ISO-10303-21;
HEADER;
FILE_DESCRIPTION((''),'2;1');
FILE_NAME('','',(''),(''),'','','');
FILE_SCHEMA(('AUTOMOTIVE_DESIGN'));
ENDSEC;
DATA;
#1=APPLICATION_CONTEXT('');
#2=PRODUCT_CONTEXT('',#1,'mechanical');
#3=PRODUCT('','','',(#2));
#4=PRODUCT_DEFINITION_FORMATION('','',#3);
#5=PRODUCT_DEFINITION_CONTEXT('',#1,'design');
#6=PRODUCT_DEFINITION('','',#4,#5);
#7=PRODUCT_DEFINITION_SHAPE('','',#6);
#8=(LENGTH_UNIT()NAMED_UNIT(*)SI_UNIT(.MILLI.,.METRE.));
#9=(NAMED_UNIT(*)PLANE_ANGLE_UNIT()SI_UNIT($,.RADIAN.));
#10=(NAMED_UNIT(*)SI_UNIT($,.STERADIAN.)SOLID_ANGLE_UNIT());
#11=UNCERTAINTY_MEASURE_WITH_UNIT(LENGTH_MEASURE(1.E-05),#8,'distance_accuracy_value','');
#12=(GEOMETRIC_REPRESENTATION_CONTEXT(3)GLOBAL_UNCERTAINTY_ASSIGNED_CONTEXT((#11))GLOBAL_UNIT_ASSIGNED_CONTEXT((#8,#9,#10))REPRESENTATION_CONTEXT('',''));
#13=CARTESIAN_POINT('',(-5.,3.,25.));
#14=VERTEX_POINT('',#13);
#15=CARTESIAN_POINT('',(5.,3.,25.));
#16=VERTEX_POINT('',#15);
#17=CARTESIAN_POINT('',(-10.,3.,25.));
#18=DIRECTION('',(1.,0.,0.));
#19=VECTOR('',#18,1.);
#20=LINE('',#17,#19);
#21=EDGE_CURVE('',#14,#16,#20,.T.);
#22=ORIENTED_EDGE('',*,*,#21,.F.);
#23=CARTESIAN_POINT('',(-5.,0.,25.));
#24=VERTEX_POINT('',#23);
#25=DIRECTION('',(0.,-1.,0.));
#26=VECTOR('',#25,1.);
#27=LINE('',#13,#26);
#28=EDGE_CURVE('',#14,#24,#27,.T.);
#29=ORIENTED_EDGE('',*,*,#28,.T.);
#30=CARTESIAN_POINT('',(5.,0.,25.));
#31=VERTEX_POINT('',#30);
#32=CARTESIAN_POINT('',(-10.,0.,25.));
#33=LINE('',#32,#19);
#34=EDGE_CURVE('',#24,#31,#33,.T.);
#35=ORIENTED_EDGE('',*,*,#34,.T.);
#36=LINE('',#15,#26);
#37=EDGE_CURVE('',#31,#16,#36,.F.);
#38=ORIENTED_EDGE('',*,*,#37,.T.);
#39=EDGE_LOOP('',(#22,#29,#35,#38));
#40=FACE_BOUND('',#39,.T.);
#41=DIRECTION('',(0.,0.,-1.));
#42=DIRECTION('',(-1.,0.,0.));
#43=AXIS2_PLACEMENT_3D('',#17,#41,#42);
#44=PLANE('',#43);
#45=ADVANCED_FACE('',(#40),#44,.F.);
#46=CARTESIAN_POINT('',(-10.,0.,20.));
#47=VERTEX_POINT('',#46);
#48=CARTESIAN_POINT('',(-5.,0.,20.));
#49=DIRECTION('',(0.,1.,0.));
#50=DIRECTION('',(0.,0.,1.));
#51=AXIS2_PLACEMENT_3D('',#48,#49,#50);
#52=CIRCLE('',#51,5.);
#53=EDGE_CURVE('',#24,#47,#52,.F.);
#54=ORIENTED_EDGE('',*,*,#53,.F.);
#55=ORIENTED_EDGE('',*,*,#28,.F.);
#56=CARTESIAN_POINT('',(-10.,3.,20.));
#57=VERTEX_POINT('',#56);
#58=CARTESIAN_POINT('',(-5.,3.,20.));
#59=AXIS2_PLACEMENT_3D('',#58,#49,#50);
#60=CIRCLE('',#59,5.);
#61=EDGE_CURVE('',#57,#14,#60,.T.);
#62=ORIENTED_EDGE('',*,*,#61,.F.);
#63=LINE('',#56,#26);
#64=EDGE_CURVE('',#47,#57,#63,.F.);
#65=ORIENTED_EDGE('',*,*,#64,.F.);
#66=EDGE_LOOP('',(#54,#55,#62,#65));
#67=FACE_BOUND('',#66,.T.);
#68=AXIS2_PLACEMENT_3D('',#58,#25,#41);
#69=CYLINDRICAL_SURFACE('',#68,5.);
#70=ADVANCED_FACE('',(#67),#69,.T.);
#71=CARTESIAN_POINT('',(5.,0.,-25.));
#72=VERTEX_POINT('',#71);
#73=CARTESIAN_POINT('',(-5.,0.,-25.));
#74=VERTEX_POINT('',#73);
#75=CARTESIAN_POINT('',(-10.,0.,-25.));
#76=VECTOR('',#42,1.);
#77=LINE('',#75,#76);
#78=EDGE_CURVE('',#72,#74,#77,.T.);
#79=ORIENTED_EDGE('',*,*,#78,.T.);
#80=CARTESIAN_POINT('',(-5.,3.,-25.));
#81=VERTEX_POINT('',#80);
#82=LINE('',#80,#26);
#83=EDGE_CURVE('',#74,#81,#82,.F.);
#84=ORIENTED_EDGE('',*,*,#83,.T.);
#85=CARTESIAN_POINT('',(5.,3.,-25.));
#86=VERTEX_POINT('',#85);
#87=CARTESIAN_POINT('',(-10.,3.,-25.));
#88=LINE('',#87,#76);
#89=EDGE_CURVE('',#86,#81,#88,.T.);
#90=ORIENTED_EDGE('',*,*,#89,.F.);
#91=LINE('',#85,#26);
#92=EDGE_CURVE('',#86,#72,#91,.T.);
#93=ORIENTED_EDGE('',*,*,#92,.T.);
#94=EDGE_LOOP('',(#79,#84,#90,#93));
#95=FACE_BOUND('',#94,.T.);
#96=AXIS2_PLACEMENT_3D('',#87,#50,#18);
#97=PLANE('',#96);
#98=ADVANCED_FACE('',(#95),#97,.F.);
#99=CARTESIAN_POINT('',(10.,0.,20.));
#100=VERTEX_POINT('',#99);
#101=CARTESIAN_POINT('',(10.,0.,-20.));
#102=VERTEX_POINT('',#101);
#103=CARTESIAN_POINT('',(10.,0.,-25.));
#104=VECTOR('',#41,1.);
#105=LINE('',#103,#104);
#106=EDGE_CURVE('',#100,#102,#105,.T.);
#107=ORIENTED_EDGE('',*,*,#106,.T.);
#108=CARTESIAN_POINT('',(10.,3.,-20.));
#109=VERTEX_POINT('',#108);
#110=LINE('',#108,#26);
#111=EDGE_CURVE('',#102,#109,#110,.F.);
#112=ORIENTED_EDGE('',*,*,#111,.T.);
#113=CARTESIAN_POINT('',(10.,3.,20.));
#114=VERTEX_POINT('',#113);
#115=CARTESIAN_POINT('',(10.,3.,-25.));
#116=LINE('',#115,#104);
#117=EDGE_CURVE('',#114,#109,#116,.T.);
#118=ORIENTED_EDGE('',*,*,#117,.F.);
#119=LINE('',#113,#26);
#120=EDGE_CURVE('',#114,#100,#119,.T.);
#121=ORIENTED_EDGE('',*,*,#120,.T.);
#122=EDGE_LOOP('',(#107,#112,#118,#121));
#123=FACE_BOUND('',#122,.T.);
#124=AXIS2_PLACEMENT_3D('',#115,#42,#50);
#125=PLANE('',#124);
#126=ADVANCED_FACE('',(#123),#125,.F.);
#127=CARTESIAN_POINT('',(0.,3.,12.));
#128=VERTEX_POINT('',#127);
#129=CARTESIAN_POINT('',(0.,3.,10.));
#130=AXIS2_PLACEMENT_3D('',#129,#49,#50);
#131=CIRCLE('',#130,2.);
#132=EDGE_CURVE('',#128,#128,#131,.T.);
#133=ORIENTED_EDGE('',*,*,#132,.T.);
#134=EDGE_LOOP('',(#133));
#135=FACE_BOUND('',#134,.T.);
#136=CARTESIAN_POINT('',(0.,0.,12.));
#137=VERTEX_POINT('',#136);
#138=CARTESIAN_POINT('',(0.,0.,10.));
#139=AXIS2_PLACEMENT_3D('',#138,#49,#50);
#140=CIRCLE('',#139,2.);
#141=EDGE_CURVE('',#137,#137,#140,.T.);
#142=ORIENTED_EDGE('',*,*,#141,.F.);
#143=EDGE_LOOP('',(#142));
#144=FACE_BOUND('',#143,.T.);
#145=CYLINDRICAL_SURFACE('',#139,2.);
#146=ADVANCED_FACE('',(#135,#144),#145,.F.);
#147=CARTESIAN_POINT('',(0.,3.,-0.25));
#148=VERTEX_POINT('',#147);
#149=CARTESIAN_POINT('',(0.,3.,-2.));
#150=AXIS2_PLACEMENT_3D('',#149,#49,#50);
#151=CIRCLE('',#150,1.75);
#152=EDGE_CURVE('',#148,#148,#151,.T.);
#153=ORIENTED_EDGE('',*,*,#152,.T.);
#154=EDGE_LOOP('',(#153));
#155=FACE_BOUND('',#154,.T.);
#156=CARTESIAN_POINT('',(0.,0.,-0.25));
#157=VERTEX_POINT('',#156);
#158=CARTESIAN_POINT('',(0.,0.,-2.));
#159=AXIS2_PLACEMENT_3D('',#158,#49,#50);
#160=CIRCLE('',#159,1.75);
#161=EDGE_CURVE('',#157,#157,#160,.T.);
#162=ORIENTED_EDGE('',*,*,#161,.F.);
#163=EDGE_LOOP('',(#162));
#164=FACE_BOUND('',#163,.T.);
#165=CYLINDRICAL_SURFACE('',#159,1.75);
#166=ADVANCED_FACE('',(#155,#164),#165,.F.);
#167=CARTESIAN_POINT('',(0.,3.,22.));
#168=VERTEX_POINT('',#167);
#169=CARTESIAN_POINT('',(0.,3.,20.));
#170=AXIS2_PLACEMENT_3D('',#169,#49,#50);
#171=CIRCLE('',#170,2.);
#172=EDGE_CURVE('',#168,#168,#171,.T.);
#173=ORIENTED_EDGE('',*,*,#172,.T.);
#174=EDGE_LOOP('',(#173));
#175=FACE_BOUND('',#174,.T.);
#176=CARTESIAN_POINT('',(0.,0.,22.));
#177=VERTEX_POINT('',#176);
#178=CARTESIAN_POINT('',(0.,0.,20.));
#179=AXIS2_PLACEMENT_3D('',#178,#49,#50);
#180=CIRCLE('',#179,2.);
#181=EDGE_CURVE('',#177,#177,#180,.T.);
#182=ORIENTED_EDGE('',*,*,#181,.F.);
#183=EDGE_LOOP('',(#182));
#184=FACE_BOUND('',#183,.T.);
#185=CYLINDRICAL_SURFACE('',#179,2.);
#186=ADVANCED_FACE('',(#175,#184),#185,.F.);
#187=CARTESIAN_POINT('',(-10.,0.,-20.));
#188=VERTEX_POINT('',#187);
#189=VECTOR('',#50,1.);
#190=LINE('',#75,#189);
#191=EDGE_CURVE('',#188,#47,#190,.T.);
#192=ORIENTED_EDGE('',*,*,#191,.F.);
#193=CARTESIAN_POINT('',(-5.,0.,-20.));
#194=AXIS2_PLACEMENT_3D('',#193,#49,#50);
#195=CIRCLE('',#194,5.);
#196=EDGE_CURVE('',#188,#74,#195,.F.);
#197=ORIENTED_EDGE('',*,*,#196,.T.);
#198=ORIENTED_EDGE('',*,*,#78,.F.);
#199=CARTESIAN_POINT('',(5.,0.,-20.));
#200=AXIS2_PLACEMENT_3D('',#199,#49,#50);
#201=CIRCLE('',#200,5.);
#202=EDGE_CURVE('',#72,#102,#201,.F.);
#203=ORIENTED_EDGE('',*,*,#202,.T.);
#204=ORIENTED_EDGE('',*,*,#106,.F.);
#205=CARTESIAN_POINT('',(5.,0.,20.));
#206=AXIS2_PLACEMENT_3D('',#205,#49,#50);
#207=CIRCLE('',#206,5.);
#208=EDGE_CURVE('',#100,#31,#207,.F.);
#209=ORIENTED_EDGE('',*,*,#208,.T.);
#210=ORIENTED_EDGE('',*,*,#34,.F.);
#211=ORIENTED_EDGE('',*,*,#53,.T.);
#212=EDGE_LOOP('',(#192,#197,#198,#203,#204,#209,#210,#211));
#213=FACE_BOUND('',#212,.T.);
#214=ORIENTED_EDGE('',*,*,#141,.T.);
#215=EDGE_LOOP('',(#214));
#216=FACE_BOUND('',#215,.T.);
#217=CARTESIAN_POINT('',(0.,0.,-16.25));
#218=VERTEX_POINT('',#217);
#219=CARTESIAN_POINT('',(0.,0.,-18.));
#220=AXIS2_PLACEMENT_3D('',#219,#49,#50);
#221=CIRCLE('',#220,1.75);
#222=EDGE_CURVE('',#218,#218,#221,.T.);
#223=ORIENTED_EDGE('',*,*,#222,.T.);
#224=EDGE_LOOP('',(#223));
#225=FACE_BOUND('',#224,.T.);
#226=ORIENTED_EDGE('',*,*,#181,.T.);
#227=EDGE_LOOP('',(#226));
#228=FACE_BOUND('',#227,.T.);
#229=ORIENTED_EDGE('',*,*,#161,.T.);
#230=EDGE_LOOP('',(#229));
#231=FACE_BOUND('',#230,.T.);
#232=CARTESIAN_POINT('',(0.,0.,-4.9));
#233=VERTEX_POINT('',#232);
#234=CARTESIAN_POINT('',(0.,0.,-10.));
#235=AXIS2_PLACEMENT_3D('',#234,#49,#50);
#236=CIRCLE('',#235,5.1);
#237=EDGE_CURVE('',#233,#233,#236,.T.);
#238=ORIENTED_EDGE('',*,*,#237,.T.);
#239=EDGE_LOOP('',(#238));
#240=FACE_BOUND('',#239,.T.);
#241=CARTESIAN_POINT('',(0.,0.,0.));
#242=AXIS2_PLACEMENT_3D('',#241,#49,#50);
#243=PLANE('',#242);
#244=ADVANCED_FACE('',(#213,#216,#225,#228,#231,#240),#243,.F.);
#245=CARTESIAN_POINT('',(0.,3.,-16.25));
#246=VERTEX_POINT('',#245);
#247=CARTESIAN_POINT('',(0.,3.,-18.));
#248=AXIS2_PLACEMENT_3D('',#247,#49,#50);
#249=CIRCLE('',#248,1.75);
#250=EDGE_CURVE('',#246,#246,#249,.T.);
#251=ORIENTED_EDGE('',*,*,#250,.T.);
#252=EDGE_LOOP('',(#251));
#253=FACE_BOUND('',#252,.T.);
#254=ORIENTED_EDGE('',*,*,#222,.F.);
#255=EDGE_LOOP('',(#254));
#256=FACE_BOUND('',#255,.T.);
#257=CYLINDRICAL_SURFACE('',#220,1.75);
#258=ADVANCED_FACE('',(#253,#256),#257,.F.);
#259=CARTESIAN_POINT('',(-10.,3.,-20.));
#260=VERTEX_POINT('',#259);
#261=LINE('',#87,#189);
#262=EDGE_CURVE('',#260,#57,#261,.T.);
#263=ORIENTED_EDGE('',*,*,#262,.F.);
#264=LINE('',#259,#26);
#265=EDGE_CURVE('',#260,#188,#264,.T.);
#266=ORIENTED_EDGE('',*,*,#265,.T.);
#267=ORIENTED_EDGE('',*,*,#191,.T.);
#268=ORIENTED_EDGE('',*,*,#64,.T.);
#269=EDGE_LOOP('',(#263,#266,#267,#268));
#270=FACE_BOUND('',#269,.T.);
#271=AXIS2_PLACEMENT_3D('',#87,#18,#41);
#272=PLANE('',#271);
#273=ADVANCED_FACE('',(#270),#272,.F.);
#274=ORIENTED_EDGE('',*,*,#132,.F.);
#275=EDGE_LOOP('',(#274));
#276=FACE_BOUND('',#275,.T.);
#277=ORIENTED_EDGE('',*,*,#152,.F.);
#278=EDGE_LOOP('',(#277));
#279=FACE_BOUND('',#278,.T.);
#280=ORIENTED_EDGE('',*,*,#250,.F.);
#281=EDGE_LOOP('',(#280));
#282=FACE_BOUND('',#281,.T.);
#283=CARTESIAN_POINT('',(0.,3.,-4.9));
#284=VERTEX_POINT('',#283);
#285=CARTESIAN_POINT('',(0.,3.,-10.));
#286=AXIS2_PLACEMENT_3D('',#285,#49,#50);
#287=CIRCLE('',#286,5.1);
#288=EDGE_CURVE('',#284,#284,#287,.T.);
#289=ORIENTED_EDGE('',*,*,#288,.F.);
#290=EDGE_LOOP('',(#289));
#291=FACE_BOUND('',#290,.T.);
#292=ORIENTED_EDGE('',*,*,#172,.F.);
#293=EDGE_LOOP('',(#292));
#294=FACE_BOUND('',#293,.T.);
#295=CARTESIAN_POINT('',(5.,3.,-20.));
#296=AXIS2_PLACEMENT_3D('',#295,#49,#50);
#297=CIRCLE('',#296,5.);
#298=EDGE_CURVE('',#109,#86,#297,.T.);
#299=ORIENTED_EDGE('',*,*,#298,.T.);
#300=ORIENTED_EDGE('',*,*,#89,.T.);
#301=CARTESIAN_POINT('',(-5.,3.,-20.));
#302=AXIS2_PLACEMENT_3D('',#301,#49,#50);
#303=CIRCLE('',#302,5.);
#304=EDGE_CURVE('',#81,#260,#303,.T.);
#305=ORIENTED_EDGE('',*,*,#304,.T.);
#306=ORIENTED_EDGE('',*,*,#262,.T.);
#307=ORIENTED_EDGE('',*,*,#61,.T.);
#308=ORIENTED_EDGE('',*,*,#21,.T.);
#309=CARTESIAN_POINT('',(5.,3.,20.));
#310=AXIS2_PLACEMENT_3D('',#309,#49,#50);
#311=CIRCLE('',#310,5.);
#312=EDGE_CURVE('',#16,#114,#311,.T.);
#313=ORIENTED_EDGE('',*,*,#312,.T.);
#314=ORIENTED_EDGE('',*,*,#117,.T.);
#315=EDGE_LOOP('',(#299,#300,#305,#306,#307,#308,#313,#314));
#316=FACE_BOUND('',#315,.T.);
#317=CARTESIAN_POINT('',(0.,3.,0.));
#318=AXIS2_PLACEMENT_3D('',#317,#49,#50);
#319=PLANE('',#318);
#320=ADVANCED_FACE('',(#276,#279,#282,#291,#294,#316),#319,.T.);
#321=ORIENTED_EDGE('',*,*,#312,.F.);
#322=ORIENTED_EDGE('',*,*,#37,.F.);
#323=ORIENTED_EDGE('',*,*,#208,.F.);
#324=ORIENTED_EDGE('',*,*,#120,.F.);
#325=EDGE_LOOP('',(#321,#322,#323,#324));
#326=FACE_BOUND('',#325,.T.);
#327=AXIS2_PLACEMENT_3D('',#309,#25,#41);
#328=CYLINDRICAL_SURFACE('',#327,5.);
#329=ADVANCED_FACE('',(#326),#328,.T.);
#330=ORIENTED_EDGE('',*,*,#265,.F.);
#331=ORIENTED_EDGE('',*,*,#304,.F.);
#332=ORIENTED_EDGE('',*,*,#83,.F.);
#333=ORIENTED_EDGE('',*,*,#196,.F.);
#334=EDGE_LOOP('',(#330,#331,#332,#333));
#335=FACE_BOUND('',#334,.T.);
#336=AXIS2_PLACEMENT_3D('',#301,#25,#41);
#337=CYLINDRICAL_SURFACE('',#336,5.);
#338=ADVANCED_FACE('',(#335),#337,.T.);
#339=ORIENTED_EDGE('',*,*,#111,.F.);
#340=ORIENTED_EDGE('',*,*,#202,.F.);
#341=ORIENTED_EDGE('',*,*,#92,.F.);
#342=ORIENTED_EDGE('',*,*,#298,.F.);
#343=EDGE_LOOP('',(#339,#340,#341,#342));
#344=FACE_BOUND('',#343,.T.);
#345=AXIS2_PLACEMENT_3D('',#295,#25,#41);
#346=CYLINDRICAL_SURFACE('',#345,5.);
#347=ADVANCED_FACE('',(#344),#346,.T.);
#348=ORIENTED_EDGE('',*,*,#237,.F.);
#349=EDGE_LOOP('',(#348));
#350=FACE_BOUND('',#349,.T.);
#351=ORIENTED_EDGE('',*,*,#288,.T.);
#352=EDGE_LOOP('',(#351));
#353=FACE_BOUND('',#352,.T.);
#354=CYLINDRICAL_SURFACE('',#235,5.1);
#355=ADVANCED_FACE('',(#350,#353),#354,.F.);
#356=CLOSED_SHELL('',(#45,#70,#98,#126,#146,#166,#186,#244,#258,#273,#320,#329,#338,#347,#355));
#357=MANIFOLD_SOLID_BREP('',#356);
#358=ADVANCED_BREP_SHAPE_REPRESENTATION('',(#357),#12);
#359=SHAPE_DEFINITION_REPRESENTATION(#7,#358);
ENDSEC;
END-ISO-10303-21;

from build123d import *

# Parameters (mm, degrees)
SKETCH1_W           = 20
SKETCH1_H           = 50
BOSS_EXTRUDE1_DEPTH = 3
SKETCH2_R           = 5.1
SKETCH2_R_2         = 1.75
SKETCH2_R_3         = 2
CUT_EXTRUDE1_DEPTH  = 28.092434368
FILLET1_R           = 5


with BuildPart() as part:
    # Sketch1 → Boss-Extrude1 (new body)
    with BuildSketch(Plane(origin=(0, 0, 0), x_dir=(1, 0, 0), z_dir=(0, 1, 0))):
        Rectangle(SKETCH1_W, SKETCH1_H)
    extrude(amount=BOSS_EXTRUDE1_DEPTH)

    # Sketch2 → Cut-Extrude1 (cut, through all)
    with BuildSketch(Plane(origin=(0, 3, 0), x_dir=(1, 0, 0), z_dir=(0, 1, 0))):
        with Locations(Location((0, 10, 0), (0, 0, 270))):
            Circle(SKETCH2_R)
        with Locations(Location((0, 18, 0), (0, 0, 270))):
            Circle(SKETCH2_R_2)
        with Locations(Location((0, 2, 0), (0, 0, 270))):
            Circle(SKETCH2_R_2)
        with Locations(Location((0, -10, 0), (0, 0, 270))):
            Circle(SKETCH2_R_3)
        with Locations(Location((0, -20, 0), (0, 0, 270))):
            Circle(SKETCH2_R_3)
    extrude(amount=-CUT_EXTRUDE1_DEPTH, mode=Mode.SUBTRACT)

    # Fillet1
    fillet1_edges = [part.edges().sort_by_distance(p)[0] for p in [
        (10, 1.5, 25),
        (-10, 1.5, 25),
        (-10, 1.5, -25),
        (10, 1.5, -25),
    ]]
    fillet(fillet1_edges, radius=FILLET1_R)


solid = part.part
